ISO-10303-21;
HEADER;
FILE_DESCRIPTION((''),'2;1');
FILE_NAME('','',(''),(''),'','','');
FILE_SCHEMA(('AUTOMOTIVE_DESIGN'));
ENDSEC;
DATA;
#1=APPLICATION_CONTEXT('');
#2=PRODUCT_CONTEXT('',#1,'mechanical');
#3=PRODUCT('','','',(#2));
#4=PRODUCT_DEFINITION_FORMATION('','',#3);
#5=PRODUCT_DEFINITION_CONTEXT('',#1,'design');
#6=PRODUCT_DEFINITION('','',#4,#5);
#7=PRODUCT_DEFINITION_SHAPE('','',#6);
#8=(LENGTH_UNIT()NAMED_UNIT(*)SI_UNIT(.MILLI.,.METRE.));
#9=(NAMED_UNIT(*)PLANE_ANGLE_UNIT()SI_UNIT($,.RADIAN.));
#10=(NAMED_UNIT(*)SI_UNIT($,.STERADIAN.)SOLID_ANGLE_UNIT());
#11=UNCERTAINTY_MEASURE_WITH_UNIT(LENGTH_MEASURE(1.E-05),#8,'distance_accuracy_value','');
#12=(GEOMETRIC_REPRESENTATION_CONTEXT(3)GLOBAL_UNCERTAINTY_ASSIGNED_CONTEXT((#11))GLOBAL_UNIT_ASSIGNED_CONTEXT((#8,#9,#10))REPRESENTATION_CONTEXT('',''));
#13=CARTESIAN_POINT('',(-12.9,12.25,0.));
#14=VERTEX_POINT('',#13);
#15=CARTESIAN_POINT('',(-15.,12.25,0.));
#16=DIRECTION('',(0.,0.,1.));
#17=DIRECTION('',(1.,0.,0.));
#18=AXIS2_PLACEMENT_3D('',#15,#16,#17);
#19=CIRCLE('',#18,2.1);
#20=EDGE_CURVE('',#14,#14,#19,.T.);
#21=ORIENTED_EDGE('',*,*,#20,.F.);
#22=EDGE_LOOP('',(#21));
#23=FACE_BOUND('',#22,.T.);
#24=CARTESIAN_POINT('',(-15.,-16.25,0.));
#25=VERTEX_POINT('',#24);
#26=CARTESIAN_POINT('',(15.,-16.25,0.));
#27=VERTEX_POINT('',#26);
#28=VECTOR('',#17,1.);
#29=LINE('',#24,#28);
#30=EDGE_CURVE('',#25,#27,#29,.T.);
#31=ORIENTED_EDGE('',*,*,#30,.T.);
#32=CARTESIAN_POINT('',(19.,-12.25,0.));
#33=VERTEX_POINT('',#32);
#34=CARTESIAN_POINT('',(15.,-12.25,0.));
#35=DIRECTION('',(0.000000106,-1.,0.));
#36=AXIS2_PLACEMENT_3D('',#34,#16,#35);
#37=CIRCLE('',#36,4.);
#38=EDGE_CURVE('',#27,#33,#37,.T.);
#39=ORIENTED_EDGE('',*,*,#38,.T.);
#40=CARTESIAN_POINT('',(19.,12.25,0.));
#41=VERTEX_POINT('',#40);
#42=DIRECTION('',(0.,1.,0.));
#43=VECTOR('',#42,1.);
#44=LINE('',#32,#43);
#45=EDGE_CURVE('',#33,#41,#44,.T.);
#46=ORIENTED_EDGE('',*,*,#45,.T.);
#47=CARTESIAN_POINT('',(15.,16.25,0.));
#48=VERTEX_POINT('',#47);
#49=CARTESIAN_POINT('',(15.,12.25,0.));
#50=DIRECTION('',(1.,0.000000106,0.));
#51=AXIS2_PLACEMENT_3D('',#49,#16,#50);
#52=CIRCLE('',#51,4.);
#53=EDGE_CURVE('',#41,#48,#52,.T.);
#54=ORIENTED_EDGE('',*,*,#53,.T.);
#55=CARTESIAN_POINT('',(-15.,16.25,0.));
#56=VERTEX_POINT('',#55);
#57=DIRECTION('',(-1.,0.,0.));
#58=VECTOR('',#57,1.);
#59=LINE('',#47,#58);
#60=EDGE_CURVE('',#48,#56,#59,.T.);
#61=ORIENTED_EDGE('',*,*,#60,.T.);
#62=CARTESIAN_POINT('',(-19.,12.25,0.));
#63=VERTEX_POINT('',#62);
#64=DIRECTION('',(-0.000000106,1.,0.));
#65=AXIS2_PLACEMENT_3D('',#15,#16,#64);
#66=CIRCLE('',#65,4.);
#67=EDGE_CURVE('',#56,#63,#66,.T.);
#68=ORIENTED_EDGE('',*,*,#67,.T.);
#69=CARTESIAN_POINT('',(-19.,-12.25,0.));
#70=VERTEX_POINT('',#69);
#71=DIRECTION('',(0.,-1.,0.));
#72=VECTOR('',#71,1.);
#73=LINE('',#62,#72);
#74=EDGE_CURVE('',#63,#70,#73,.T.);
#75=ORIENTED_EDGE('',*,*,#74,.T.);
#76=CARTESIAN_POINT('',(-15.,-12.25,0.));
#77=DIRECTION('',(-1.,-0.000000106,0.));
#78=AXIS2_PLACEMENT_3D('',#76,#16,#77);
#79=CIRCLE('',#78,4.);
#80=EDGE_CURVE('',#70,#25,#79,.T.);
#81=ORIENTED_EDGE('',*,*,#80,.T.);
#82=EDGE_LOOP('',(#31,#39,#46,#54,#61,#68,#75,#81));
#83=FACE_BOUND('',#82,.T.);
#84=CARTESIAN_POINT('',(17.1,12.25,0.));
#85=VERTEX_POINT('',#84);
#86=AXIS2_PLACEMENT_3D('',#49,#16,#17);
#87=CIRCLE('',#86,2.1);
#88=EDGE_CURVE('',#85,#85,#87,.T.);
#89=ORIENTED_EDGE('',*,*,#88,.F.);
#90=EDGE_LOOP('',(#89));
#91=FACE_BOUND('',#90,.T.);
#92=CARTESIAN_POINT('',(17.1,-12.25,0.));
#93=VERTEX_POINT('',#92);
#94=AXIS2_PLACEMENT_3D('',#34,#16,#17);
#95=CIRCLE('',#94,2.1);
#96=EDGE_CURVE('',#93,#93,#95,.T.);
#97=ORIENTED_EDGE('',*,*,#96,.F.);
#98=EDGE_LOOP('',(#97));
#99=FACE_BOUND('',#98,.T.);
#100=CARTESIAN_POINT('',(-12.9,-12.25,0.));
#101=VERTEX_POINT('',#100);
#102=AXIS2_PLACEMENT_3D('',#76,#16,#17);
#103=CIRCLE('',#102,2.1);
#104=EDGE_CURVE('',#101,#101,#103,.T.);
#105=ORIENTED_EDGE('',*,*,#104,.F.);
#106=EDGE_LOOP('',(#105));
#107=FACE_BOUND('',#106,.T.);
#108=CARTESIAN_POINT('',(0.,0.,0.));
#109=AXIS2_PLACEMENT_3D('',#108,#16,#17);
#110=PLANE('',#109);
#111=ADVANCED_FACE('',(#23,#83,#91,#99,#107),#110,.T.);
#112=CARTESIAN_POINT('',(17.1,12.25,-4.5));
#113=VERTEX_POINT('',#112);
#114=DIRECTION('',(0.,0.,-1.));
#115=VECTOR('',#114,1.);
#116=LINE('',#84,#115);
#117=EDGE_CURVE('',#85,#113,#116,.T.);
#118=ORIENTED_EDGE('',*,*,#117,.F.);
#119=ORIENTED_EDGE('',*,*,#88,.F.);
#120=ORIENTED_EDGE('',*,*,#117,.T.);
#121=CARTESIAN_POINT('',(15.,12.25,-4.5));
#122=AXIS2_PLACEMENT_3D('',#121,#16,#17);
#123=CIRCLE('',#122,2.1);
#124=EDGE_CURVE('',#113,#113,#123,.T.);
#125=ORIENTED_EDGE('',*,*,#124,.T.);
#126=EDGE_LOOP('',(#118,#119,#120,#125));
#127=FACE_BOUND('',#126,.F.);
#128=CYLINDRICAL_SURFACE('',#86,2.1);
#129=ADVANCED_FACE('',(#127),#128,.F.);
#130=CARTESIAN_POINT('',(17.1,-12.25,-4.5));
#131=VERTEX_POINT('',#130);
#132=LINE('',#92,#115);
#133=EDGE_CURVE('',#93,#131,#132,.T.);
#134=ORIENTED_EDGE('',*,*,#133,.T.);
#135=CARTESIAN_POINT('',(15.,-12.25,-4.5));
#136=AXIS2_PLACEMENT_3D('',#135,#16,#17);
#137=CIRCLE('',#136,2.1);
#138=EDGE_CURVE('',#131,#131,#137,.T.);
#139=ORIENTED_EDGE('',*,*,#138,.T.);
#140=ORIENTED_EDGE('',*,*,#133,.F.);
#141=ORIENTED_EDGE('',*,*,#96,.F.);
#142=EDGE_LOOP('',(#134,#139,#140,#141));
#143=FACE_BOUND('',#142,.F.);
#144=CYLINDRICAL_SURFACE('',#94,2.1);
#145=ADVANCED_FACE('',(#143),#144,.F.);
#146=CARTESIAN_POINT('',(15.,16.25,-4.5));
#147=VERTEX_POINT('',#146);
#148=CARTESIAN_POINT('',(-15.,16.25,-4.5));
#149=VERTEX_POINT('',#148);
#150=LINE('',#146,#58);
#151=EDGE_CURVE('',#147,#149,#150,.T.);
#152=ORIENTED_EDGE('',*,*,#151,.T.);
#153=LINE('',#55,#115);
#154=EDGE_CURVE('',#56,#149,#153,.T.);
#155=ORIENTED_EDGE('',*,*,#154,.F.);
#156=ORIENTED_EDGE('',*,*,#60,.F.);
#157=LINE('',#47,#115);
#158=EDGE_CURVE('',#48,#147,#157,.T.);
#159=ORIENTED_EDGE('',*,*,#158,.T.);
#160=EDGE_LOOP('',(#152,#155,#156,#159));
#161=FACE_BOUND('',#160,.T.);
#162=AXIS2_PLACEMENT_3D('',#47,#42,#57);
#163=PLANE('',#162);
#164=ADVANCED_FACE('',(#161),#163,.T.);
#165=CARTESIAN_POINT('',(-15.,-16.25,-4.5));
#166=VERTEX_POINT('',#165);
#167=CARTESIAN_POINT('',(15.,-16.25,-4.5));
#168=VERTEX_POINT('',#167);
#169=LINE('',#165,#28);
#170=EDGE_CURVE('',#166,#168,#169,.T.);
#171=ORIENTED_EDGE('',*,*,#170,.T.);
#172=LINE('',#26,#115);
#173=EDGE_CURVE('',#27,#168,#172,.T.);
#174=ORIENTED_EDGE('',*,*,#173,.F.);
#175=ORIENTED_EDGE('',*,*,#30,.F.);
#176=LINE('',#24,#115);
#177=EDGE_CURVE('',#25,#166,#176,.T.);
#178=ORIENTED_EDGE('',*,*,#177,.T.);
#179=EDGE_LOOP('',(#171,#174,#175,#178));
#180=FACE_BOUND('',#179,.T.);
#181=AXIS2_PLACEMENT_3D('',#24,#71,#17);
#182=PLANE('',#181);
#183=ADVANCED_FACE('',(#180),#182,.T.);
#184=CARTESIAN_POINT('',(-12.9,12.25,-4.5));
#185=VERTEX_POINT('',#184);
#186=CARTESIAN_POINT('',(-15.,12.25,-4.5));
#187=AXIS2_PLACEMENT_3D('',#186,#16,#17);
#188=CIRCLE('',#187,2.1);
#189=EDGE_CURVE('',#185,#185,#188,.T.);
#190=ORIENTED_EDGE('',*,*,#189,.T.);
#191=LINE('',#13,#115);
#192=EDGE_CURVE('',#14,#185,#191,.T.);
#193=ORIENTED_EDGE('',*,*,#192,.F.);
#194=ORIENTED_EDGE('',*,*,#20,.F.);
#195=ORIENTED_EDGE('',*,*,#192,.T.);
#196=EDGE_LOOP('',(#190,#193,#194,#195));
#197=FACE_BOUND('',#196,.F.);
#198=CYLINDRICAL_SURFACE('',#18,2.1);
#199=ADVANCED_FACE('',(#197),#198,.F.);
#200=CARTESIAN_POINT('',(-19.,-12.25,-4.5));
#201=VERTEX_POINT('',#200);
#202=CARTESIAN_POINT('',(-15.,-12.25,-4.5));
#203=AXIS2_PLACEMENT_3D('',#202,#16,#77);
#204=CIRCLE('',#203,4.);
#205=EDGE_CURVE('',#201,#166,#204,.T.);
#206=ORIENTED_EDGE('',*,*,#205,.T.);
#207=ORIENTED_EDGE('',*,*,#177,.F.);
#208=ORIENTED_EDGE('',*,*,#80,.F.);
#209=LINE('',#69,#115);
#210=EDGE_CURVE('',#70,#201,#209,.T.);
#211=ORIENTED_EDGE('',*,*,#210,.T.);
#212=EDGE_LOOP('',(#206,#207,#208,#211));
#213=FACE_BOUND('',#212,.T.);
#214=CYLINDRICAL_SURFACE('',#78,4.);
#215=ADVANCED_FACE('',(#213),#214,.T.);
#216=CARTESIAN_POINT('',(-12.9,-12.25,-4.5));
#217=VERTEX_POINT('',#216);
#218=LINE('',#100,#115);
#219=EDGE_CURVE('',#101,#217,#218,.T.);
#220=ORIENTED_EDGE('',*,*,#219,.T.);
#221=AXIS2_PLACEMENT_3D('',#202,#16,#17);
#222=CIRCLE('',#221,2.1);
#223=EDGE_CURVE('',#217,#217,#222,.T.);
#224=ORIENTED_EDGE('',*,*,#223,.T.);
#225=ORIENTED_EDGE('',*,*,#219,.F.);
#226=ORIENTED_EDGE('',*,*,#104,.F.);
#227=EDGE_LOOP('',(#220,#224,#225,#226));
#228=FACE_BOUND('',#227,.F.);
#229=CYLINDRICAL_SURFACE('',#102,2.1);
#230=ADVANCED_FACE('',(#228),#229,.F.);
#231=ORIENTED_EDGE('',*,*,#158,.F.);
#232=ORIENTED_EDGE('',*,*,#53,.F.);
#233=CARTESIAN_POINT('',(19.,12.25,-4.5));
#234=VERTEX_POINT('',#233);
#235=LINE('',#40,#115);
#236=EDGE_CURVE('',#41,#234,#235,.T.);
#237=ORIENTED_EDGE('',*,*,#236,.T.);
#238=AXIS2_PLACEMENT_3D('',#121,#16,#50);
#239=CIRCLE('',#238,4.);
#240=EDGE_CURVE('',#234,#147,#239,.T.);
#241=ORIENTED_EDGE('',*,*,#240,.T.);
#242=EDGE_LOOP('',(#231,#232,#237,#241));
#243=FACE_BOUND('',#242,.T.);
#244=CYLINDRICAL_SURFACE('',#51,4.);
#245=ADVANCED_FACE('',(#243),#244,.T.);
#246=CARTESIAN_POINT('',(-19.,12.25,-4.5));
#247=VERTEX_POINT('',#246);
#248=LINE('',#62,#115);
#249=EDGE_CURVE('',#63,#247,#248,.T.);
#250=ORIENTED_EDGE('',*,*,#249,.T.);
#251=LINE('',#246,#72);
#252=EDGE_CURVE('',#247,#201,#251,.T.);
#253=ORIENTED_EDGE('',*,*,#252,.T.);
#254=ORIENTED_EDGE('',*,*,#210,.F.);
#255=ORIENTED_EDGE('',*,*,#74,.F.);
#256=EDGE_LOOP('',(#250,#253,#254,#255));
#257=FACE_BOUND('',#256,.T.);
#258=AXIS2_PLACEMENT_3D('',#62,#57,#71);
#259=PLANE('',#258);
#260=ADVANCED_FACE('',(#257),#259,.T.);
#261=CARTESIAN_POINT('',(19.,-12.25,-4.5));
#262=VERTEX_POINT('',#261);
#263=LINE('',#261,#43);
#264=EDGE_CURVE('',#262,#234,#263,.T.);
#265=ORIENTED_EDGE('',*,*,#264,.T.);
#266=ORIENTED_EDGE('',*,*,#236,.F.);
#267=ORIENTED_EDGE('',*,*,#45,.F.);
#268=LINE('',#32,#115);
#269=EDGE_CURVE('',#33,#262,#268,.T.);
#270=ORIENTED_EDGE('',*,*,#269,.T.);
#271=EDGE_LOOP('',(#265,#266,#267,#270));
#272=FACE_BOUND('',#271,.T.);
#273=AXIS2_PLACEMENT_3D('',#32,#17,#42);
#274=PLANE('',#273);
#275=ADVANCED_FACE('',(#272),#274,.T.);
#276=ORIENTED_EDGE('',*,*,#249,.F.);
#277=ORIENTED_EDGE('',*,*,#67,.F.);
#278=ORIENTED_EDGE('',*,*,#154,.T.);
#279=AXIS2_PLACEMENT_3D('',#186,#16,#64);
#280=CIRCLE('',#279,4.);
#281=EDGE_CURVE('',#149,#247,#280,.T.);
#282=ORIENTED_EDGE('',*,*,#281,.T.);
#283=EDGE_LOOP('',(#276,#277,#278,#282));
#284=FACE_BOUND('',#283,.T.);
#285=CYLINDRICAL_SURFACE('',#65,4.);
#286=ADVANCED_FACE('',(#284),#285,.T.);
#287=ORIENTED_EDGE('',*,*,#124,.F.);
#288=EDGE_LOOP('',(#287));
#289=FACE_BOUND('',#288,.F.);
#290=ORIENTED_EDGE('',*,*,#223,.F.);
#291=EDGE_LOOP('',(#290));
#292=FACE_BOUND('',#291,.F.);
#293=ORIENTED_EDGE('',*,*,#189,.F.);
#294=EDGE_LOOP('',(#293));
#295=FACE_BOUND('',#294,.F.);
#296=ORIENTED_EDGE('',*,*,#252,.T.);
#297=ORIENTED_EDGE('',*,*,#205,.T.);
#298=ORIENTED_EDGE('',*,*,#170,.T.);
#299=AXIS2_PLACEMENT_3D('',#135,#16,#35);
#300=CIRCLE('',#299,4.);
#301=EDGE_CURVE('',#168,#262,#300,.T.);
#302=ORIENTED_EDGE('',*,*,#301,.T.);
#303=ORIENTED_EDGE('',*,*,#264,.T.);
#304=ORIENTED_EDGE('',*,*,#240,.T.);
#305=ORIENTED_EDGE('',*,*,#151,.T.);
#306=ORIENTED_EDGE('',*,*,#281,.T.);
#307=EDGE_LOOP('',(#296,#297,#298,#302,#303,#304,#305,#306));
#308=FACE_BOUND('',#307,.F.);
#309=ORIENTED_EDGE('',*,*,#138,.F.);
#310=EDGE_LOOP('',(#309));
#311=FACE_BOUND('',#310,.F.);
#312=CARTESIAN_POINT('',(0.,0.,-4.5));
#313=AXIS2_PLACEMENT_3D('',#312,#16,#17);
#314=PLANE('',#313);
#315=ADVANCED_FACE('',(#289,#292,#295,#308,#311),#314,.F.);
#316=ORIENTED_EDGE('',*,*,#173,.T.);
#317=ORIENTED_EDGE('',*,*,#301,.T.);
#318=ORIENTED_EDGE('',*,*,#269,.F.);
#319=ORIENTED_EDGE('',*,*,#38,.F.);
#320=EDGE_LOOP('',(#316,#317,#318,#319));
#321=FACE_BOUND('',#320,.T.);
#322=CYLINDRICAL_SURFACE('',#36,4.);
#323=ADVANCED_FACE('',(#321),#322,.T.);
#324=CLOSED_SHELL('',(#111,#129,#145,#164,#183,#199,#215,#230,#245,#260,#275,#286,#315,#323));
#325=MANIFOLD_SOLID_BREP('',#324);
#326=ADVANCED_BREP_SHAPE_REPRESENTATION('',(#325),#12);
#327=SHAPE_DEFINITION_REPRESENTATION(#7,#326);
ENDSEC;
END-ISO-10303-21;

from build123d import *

# Parameters (mm, degrees)
F0_R     = 2.1
F1_DEPTH = 4.5


with BuildPart() as f1:
    # F0 (on Top) → F1 (new body)
    with BuildSketch(Plane.XY):
        with BuildLine():
            Line((15, 16.25), (-15, 16.25))
            ThreePointArc((-15, 16.25), (-17.828427, 15.078427), (-19, 12.25))
            Line((-19, 12.25), (-19, -12.25))
            ThreePointArc((-19, -12.25), (-17.828427, -15.078427), (-15, -16.25))
            Line((-15, -16.25), (15, -16.25))
            ThreePointArc((15, -16.25), (17.828427, -15.078427), (19, -12.25))
            Line((19, -12.25), (19, 12.25))
            ThreePointArc((19, 12.25), (17.828427, 15.078427), (15, 16.25))
        make_face()
        with Locations((-15, -12.25)):
            Circle(F0_R, mode=Mode.SUBTRACT)
        with Locations((15, -12.25)):
            Circle(F0_R, mode=Mode.SUBTRACT)
        with Locations((-15, 12.25)):
            Circle(F0_R, mode=Mode.SUBTRACT)
        with Locations((15, 12.25)):
            Circle(F0_R, mode=Mode.SUBTRACT)
    extrude(amount=-F1_DEPTH)


solid = f1.part
